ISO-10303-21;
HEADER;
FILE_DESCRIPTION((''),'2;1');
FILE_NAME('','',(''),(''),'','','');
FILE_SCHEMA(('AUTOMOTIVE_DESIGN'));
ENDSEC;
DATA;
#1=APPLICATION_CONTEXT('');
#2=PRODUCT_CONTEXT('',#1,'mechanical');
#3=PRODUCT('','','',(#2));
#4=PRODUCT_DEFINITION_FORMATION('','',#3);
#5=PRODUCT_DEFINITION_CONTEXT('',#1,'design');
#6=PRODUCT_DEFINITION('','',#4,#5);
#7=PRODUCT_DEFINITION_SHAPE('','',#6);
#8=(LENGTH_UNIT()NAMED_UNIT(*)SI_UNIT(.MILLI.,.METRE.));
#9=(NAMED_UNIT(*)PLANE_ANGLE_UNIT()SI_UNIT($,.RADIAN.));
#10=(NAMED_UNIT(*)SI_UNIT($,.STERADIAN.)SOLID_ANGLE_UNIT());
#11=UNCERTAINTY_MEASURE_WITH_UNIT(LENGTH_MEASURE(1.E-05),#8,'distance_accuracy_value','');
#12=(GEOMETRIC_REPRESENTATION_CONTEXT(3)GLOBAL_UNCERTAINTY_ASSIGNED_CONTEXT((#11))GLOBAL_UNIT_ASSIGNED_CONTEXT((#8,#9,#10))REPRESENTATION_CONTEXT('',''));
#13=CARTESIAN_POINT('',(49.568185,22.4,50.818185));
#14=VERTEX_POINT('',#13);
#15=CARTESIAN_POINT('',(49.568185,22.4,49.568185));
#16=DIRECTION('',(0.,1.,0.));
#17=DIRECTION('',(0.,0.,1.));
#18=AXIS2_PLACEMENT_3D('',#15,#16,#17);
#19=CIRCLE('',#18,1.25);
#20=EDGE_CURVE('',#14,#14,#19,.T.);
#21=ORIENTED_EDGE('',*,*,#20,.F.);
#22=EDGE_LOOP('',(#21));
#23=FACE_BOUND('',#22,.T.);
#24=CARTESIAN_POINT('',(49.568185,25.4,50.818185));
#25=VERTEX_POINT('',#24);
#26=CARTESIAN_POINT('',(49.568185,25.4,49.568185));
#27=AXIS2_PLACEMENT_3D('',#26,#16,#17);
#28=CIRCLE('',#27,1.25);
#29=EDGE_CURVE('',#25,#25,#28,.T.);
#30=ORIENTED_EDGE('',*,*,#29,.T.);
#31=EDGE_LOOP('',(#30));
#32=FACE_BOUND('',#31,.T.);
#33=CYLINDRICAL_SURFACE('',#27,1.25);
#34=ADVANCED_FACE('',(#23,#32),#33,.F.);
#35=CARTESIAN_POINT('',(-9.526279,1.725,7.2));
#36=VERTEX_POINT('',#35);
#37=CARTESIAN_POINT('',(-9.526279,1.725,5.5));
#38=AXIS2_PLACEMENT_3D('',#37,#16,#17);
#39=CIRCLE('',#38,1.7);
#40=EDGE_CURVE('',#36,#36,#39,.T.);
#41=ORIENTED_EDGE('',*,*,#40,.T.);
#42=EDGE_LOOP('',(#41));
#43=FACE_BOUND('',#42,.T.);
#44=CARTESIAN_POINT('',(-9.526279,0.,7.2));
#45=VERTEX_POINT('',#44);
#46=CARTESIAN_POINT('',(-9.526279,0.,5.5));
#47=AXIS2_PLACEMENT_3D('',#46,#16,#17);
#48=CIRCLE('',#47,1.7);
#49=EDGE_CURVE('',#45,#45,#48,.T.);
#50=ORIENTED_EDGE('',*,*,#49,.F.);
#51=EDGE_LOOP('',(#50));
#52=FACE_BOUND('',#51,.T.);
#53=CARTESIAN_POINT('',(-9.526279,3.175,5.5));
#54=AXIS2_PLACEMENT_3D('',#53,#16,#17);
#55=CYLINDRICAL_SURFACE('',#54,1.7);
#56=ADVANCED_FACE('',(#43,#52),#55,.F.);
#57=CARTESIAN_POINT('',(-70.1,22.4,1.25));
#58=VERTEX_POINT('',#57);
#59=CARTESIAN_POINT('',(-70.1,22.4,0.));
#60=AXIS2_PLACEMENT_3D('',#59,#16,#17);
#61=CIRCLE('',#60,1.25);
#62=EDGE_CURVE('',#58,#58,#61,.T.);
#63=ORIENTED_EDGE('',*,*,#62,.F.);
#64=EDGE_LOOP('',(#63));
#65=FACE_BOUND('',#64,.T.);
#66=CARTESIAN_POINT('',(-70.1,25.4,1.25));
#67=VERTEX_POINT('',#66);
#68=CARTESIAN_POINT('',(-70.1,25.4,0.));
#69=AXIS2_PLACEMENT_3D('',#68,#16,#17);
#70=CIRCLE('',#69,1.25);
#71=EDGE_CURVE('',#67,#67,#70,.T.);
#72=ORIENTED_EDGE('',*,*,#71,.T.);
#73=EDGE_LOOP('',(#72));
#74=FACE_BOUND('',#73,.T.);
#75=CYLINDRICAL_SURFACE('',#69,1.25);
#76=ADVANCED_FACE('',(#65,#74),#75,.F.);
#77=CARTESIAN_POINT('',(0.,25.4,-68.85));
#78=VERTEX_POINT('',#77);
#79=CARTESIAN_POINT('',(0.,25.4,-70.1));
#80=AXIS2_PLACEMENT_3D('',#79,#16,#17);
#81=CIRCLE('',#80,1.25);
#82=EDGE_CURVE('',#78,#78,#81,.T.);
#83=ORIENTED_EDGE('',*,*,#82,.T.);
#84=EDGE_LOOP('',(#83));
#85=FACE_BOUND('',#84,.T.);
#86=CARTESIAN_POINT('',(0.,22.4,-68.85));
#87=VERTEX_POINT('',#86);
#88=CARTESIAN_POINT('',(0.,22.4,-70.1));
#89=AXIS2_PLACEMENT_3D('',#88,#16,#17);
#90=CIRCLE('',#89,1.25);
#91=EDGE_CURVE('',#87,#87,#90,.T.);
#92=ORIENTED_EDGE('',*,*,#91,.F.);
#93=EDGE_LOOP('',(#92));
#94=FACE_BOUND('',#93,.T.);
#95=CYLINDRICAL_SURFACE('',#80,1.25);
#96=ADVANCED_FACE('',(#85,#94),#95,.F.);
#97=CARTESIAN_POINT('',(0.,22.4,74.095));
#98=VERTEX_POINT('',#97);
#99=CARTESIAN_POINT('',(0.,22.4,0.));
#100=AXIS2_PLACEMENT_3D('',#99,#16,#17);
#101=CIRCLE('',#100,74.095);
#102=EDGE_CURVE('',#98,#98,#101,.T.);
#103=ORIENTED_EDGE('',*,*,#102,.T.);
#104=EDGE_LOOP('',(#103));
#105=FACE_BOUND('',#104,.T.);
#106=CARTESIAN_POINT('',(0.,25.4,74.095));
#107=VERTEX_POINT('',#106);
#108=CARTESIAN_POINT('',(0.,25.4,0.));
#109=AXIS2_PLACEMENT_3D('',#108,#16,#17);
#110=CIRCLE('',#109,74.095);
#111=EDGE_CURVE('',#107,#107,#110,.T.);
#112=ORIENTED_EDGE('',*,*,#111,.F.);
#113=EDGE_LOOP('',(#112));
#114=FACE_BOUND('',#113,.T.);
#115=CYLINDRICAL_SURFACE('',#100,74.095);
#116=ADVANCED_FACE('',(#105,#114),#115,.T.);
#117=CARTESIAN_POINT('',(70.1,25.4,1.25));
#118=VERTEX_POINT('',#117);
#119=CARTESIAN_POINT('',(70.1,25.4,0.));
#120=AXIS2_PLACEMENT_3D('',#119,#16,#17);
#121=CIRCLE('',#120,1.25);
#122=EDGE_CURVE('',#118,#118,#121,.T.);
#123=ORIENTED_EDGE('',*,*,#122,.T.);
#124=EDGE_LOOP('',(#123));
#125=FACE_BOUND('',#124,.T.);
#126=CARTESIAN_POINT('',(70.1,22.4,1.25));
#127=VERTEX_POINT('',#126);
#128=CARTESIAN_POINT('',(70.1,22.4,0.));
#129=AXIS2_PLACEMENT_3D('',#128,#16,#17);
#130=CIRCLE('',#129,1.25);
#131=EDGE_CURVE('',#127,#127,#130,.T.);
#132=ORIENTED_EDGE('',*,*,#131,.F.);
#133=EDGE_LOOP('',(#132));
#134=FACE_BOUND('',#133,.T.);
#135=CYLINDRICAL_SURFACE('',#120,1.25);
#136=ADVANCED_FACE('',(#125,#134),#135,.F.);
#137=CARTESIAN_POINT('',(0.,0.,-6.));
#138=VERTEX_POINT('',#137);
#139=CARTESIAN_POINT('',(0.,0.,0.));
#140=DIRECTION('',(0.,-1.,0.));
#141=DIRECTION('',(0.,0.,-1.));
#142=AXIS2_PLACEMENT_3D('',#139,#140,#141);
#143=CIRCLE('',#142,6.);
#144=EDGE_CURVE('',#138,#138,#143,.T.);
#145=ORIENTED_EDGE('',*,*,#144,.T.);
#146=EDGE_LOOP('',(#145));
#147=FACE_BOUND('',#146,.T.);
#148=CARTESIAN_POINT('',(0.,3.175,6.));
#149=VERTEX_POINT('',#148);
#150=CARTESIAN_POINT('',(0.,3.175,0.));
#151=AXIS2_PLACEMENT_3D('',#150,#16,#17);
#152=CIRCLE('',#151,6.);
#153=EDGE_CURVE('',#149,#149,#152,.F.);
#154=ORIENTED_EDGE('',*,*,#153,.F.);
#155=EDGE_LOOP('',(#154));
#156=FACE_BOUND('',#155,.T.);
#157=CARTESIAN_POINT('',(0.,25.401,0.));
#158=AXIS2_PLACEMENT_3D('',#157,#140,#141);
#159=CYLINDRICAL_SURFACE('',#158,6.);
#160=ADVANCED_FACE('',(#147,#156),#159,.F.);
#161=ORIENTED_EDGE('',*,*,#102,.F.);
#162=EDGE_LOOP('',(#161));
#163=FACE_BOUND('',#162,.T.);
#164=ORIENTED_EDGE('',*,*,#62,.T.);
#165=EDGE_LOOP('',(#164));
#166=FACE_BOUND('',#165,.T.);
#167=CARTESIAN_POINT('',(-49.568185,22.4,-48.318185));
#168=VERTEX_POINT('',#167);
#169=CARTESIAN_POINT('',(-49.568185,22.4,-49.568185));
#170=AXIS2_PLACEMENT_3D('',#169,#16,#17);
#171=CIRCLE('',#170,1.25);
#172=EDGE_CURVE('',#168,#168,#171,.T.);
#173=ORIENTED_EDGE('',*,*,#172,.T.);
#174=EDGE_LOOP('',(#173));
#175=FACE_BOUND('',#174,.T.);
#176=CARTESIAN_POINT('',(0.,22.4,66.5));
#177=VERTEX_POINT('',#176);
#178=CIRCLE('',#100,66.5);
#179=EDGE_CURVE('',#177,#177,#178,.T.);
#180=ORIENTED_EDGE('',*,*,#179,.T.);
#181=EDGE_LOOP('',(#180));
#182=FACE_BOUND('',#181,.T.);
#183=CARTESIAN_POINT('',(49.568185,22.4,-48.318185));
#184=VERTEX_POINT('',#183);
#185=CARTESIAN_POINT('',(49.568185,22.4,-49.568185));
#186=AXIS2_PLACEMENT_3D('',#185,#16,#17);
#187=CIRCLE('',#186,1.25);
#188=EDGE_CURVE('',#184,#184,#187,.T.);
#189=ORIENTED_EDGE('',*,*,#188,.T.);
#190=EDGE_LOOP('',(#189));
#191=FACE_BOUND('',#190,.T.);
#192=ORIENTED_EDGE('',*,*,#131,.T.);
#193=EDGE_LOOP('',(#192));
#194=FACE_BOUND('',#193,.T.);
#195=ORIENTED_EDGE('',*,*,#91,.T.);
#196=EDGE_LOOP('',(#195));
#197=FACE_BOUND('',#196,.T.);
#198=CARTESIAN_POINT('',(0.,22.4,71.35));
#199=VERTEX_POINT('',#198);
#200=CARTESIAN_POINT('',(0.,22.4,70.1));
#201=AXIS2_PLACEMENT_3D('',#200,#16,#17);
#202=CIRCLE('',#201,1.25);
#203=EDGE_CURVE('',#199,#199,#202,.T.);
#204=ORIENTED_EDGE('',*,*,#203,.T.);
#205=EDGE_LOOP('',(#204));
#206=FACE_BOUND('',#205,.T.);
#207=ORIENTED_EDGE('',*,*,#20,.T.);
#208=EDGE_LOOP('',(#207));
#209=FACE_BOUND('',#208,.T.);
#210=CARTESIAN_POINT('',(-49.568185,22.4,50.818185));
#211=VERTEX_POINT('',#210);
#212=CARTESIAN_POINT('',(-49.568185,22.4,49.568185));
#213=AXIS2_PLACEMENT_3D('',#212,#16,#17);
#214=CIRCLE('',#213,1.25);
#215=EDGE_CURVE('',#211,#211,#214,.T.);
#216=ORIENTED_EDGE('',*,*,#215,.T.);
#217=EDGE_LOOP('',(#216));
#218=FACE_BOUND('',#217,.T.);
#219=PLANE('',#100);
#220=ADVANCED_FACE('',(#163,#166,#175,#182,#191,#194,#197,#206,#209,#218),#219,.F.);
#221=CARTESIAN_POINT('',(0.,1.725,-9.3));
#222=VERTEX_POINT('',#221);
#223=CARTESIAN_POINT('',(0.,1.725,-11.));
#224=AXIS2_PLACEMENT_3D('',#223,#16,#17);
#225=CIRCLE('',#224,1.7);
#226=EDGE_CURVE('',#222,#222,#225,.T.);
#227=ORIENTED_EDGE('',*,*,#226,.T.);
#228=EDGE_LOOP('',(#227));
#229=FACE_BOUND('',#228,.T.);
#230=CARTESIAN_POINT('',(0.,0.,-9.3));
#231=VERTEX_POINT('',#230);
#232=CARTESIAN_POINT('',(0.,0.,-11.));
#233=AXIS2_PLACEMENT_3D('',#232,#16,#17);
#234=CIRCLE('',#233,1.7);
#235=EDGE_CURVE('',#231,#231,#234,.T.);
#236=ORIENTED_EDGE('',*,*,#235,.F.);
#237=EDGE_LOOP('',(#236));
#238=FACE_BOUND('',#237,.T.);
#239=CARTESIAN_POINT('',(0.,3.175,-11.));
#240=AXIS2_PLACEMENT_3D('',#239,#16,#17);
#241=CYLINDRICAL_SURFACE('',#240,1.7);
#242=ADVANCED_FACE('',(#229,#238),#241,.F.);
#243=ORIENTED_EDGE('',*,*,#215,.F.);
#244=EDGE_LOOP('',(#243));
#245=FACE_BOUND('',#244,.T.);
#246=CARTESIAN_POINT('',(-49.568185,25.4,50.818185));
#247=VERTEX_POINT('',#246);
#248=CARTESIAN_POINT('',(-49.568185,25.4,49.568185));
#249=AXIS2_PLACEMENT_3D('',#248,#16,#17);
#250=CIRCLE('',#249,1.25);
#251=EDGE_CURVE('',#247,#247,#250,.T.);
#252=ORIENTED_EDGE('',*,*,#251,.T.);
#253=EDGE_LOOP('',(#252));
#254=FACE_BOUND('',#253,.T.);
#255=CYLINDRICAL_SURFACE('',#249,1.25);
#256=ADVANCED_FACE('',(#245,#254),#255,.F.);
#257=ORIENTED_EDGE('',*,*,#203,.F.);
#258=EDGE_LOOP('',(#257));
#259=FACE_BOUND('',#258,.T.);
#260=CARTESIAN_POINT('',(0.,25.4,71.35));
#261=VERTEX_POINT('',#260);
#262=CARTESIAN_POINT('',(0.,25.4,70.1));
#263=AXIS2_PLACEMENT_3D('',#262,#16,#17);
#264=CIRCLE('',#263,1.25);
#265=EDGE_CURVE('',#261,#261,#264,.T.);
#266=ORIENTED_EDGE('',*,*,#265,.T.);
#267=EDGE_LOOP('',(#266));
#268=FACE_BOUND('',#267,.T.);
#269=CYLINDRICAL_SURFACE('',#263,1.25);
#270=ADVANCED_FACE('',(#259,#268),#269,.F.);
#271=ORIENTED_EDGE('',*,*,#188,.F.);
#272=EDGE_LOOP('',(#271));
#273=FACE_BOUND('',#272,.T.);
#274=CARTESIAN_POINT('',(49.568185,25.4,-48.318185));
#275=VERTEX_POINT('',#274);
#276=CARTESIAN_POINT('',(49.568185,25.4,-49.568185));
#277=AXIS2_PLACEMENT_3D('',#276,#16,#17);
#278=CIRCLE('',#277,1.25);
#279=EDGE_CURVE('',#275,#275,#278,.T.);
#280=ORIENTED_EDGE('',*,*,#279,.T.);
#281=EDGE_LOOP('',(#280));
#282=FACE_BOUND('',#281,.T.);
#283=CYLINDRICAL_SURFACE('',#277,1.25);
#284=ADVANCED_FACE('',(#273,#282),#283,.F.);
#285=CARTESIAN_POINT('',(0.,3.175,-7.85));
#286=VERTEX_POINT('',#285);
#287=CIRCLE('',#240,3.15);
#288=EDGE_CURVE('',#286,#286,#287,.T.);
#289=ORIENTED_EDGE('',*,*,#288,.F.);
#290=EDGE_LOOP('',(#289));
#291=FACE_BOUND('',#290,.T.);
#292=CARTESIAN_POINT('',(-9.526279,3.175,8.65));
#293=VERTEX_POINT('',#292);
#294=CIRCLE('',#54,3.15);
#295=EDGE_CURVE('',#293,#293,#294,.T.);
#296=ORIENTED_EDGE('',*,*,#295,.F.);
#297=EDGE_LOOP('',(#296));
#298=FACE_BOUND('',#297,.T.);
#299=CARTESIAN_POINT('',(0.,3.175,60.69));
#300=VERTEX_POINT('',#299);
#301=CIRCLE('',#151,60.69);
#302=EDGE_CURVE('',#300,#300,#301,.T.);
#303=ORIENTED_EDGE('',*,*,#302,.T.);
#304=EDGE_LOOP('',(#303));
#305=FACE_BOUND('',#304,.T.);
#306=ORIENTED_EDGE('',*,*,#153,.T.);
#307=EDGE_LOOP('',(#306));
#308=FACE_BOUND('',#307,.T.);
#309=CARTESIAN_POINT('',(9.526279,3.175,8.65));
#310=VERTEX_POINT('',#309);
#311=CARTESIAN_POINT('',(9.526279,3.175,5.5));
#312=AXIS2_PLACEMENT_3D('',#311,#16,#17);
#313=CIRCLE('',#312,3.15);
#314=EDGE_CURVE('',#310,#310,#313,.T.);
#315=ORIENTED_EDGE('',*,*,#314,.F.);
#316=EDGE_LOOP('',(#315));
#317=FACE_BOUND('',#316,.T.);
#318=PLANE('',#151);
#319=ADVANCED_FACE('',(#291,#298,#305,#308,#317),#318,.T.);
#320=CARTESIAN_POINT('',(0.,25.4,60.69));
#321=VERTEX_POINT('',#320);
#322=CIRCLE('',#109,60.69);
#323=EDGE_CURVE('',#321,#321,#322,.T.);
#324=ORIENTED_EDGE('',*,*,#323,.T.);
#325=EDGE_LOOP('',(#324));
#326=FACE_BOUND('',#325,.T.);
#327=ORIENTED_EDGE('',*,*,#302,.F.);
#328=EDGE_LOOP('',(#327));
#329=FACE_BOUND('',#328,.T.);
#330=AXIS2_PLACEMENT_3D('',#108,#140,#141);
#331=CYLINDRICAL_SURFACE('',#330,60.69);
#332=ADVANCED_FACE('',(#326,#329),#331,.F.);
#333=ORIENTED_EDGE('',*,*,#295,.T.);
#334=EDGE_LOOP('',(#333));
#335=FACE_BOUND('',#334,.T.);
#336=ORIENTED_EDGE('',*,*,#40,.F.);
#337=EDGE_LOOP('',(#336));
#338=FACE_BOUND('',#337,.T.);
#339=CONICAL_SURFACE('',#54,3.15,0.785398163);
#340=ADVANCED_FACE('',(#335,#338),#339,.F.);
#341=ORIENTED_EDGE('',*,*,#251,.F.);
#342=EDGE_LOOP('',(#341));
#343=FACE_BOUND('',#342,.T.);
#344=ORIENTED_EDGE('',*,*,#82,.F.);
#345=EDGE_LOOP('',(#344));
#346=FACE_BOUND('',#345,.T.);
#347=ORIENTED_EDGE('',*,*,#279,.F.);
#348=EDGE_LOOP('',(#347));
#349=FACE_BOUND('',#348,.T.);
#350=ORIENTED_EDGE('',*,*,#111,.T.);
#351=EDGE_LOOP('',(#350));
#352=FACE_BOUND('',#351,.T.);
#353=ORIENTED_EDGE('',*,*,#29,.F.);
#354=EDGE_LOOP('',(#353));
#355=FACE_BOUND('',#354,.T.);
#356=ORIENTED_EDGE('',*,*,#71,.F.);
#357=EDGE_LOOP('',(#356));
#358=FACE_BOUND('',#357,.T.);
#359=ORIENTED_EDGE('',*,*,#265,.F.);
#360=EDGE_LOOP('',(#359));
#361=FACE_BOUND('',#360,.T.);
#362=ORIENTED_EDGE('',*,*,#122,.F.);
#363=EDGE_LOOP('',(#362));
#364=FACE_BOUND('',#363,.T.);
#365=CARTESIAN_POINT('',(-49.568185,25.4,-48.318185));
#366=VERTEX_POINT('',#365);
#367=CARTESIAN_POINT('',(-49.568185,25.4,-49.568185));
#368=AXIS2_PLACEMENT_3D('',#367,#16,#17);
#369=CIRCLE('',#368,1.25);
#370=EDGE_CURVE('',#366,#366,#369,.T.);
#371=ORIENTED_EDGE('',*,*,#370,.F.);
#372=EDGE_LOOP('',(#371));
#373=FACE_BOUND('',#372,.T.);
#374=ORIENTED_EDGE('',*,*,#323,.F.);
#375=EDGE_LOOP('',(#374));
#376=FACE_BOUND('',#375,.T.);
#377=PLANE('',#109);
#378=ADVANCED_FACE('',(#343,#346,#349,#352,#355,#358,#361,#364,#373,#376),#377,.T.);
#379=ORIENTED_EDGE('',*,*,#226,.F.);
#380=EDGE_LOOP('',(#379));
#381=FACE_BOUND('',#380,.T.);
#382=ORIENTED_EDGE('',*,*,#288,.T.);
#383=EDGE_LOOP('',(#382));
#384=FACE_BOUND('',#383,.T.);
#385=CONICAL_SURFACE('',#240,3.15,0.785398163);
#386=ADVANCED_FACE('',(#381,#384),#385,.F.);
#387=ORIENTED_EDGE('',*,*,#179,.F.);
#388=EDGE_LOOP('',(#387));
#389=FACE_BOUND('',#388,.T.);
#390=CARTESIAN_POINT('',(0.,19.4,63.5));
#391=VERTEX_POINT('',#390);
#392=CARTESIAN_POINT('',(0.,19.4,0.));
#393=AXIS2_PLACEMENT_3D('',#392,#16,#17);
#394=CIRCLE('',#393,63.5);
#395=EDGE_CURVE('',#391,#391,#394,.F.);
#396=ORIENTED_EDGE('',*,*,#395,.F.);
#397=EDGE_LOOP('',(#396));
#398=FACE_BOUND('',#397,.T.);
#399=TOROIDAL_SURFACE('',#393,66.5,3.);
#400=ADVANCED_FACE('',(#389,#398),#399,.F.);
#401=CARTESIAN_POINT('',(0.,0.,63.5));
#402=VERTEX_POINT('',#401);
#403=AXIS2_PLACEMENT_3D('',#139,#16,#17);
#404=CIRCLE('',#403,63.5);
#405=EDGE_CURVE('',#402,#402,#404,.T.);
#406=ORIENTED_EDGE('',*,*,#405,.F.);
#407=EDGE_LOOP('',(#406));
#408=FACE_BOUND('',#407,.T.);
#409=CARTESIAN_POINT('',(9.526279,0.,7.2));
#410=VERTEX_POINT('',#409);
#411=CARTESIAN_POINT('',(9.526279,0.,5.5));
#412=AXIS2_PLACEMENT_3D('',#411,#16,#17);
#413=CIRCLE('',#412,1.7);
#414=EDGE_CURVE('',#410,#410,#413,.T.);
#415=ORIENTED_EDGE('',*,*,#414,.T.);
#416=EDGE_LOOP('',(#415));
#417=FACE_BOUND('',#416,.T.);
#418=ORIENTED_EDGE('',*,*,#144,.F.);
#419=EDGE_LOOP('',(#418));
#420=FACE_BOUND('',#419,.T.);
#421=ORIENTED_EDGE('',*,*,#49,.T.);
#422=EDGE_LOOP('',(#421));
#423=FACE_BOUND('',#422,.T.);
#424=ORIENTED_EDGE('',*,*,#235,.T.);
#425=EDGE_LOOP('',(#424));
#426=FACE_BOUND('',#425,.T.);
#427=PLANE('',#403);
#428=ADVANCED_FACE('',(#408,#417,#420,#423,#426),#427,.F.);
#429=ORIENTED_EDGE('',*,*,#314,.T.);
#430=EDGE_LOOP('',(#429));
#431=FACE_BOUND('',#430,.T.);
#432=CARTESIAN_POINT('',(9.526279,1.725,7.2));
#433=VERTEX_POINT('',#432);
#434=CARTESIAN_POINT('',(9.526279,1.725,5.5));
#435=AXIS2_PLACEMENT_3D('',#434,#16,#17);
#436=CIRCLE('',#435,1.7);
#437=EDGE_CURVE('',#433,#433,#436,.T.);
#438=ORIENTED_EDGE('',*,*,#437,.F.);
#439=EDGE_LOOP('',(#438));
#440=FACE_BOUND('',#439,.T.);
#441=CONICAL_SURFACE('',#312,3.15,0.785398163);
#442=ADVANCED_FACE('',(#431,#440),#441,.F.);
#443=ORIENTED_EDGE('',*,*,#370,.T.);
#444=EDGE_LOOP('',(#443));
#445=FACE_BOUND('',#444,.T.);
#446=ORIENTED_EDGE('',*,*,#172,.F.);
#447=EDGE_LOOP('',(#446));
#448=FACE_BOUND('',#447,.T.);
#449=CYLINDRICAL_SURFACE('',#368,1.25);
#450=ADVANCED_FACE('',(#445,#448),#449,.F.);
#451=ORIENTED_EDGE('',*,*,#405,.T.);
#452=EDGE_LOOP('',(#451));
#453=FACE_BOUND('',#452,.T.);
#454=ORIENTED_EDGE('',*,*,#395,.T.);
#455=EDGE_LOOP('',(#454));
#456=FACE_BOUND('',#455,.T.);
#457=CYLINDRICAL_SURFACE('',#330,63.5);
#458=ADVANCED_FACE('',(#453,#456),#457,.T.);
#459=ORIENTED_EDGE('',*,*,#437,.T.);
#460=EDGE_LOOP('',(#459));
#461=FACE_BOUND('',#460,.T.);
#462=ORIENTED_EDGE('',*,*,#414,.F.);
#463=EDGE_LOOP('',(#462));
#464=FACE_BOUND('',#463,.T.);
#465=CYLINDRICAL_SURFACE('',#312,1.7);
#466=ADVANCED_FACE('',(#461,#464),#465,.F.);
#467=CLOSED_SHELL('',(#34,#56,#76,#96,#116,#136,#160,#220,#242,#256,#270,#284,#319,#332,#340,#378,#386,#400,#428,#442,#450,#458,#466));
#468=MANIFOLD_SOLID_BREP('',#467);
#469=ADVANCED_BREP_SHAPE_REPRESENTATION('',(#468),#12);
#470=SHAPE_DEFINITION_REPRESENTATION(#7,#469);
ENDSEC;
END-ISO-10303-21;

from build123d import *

# Parameters (mm, degrees)
SKETCH1_R                                       = 63.5
SKETCH1_R_2                                     = 60.690000065
BOSS_EXTRUDE1_DEPTH                             = 25.4
SKETCH3_R                                       = 63.5
BOSS_EXTRUDE2_DEPTH                             = 3.175
CUT_EXTRUDE1_REACH                              = 27.4
SKETCH8_R                                       = 6
SKETCH9_R                                       = 74.095000033
SKETCH9_R_2                                     = 63.5
BOSS_EXTRUDE4_DEPTH                             = 3
M3X0_5_TAPPED_HOLE1_D                           = 2.5
CIRPATTERN2_COUNT                               = 8
FILLET1_R                                       = 3
CSK_FOR_M3_FLAT_HEAD_MACHINE_SCREW1_D           = 3.4
CSK_FOR_M3_FLAT_HEAD_MACHINE_SCREW1_CSINK_D     = 6.3
CSK_FOR_M3_FLAT_HEAD_MACHINE_SCREW1_CSINK_ANGLE = 90
CIRPATTERN3_COUNT                               = 3


with BuildPart() as part:
    # Sketch1 → Boss-Extrude1 (new body)
    with BuildSketch(Plane(origin=(0, 0, 0), x_dir=(1, 0, 0), z_dir=(0, 1, 0))):
        Circle(SKETCH1_R)
        Circle(SKETCH1_R_2, mode=Mode.SUBTRACT)
    extrude(amount=BOSS_EXTRUDE1_DEPTH)

    # Sketch3 → Boss-Extrude2 (add)
    with BuildSketch(Plane(origin=(0, 0, 0), x_dir=(1, 0, 0), z_dir=(0, 1, 0))):
        Circle(SKETCH3_R)
    extrude(amount=BOSS_EXTRUDE2_DEPTH)

    # Sketch8 → Cut-Extrude1 (cut, up to next)
    with BuildSketch(Plane.XZ, mode=Mode.PRIVATE) as cut_extrude1_sk1:
        Circle(SKETCH8_R)
    cut_extrude1_tool1 = extrude(cut_extrude1_sk1.sketch, amount=-CUT_EXTRUDE1_REACH, mode=Mode.PRIVATE) & part.part
    add(cut_extrude1_tool1.solids().sort_by_distance((0, 0, 0))[0], mode=Mode.SUBTRACT)

    # Sketch9 → Boss-Extrude4 (add)
    with BuildSketch(Plane(origin=(0, 25.4, 0), x_dir=(1, 0, 0), z_dir=(0, 1, 0))):
        Circle(SKETCH9_R)
        Circle(SKETCH9_R_2, mode=Mode.SUBTRACT)
    extrude(amount=-BOSS_EXTRUDE4_DEPTH)

    # M3x0.5 Tapped Hole1 (through all)
    with Locations(Plane(origin=(0, 25.4, 0), x_dir=(1, 0, 0), z_dir=(0, 1, 0))):
        with Locations((0, 70.1)):
            m3x0_5_tapped_hole1 = Hole(M3X0_5_TAPPED_HOLE1_D / 2)

    # CirPattern2: M3x0.5 Tapped Hole1 ×8 about axis
    cirpattern2_axis = Axis((0, 0, 0), (0, 1, 0))
    for i in range(1, CIRPATTERN2_COUNT):
        add(m3x0_5_tapped_hole1.rotate(cirpattern2_axis, i * 360 / CIRPATTERN2_COUNT), mode=Mode.SUBTRACT)

    # Fillet1
    fillet1_edges = [part.edges().sort_by_distance(p)[0] for p in [
        (-63.5, 22.4, 0),
    ]]
    fillet(fillet1_edges, radius=FILLET1_R)

    # CSK for M3 Flat Head Machine Screw1 (through all)
    with Locations(Plane(origin=(0, 3.175, 0), x_dir=(1, 0, 0), z_dir=(0, 1, 0))):
        with Locations((0, 11)):
            csk_for_m3_flat_head_machine_screw1 = CounterSinkHole(CSK_FOR_M3_FLAT_HEAD_MACHINE_SCREW1_D / 2, CSK_FOR_M3_FLAT_HEAD_MACHINE_SCREW1_CSINK_D / 2, counter_sink_angle=CSK_FOR_M3_FLAT_HEAD_MACHINE_SCREW1_CSINK_ANGLE)

    # CirPattern3: CSK for M3 Flat Head Machine Screw1 ×3 about axis
    cirpattern3_axis = Axis((0, 0, 0), (0, 1, 0))
    for i in range(1, CIRPATTERN3_COUNT):
        add(csk_for_m3_flat_head_machine_screw1.rotate(cirpattern3_axis, i * 360 / CIRPATTERN3_COUNT), mode=Mode.SUBTRACT)


solid = part.part
